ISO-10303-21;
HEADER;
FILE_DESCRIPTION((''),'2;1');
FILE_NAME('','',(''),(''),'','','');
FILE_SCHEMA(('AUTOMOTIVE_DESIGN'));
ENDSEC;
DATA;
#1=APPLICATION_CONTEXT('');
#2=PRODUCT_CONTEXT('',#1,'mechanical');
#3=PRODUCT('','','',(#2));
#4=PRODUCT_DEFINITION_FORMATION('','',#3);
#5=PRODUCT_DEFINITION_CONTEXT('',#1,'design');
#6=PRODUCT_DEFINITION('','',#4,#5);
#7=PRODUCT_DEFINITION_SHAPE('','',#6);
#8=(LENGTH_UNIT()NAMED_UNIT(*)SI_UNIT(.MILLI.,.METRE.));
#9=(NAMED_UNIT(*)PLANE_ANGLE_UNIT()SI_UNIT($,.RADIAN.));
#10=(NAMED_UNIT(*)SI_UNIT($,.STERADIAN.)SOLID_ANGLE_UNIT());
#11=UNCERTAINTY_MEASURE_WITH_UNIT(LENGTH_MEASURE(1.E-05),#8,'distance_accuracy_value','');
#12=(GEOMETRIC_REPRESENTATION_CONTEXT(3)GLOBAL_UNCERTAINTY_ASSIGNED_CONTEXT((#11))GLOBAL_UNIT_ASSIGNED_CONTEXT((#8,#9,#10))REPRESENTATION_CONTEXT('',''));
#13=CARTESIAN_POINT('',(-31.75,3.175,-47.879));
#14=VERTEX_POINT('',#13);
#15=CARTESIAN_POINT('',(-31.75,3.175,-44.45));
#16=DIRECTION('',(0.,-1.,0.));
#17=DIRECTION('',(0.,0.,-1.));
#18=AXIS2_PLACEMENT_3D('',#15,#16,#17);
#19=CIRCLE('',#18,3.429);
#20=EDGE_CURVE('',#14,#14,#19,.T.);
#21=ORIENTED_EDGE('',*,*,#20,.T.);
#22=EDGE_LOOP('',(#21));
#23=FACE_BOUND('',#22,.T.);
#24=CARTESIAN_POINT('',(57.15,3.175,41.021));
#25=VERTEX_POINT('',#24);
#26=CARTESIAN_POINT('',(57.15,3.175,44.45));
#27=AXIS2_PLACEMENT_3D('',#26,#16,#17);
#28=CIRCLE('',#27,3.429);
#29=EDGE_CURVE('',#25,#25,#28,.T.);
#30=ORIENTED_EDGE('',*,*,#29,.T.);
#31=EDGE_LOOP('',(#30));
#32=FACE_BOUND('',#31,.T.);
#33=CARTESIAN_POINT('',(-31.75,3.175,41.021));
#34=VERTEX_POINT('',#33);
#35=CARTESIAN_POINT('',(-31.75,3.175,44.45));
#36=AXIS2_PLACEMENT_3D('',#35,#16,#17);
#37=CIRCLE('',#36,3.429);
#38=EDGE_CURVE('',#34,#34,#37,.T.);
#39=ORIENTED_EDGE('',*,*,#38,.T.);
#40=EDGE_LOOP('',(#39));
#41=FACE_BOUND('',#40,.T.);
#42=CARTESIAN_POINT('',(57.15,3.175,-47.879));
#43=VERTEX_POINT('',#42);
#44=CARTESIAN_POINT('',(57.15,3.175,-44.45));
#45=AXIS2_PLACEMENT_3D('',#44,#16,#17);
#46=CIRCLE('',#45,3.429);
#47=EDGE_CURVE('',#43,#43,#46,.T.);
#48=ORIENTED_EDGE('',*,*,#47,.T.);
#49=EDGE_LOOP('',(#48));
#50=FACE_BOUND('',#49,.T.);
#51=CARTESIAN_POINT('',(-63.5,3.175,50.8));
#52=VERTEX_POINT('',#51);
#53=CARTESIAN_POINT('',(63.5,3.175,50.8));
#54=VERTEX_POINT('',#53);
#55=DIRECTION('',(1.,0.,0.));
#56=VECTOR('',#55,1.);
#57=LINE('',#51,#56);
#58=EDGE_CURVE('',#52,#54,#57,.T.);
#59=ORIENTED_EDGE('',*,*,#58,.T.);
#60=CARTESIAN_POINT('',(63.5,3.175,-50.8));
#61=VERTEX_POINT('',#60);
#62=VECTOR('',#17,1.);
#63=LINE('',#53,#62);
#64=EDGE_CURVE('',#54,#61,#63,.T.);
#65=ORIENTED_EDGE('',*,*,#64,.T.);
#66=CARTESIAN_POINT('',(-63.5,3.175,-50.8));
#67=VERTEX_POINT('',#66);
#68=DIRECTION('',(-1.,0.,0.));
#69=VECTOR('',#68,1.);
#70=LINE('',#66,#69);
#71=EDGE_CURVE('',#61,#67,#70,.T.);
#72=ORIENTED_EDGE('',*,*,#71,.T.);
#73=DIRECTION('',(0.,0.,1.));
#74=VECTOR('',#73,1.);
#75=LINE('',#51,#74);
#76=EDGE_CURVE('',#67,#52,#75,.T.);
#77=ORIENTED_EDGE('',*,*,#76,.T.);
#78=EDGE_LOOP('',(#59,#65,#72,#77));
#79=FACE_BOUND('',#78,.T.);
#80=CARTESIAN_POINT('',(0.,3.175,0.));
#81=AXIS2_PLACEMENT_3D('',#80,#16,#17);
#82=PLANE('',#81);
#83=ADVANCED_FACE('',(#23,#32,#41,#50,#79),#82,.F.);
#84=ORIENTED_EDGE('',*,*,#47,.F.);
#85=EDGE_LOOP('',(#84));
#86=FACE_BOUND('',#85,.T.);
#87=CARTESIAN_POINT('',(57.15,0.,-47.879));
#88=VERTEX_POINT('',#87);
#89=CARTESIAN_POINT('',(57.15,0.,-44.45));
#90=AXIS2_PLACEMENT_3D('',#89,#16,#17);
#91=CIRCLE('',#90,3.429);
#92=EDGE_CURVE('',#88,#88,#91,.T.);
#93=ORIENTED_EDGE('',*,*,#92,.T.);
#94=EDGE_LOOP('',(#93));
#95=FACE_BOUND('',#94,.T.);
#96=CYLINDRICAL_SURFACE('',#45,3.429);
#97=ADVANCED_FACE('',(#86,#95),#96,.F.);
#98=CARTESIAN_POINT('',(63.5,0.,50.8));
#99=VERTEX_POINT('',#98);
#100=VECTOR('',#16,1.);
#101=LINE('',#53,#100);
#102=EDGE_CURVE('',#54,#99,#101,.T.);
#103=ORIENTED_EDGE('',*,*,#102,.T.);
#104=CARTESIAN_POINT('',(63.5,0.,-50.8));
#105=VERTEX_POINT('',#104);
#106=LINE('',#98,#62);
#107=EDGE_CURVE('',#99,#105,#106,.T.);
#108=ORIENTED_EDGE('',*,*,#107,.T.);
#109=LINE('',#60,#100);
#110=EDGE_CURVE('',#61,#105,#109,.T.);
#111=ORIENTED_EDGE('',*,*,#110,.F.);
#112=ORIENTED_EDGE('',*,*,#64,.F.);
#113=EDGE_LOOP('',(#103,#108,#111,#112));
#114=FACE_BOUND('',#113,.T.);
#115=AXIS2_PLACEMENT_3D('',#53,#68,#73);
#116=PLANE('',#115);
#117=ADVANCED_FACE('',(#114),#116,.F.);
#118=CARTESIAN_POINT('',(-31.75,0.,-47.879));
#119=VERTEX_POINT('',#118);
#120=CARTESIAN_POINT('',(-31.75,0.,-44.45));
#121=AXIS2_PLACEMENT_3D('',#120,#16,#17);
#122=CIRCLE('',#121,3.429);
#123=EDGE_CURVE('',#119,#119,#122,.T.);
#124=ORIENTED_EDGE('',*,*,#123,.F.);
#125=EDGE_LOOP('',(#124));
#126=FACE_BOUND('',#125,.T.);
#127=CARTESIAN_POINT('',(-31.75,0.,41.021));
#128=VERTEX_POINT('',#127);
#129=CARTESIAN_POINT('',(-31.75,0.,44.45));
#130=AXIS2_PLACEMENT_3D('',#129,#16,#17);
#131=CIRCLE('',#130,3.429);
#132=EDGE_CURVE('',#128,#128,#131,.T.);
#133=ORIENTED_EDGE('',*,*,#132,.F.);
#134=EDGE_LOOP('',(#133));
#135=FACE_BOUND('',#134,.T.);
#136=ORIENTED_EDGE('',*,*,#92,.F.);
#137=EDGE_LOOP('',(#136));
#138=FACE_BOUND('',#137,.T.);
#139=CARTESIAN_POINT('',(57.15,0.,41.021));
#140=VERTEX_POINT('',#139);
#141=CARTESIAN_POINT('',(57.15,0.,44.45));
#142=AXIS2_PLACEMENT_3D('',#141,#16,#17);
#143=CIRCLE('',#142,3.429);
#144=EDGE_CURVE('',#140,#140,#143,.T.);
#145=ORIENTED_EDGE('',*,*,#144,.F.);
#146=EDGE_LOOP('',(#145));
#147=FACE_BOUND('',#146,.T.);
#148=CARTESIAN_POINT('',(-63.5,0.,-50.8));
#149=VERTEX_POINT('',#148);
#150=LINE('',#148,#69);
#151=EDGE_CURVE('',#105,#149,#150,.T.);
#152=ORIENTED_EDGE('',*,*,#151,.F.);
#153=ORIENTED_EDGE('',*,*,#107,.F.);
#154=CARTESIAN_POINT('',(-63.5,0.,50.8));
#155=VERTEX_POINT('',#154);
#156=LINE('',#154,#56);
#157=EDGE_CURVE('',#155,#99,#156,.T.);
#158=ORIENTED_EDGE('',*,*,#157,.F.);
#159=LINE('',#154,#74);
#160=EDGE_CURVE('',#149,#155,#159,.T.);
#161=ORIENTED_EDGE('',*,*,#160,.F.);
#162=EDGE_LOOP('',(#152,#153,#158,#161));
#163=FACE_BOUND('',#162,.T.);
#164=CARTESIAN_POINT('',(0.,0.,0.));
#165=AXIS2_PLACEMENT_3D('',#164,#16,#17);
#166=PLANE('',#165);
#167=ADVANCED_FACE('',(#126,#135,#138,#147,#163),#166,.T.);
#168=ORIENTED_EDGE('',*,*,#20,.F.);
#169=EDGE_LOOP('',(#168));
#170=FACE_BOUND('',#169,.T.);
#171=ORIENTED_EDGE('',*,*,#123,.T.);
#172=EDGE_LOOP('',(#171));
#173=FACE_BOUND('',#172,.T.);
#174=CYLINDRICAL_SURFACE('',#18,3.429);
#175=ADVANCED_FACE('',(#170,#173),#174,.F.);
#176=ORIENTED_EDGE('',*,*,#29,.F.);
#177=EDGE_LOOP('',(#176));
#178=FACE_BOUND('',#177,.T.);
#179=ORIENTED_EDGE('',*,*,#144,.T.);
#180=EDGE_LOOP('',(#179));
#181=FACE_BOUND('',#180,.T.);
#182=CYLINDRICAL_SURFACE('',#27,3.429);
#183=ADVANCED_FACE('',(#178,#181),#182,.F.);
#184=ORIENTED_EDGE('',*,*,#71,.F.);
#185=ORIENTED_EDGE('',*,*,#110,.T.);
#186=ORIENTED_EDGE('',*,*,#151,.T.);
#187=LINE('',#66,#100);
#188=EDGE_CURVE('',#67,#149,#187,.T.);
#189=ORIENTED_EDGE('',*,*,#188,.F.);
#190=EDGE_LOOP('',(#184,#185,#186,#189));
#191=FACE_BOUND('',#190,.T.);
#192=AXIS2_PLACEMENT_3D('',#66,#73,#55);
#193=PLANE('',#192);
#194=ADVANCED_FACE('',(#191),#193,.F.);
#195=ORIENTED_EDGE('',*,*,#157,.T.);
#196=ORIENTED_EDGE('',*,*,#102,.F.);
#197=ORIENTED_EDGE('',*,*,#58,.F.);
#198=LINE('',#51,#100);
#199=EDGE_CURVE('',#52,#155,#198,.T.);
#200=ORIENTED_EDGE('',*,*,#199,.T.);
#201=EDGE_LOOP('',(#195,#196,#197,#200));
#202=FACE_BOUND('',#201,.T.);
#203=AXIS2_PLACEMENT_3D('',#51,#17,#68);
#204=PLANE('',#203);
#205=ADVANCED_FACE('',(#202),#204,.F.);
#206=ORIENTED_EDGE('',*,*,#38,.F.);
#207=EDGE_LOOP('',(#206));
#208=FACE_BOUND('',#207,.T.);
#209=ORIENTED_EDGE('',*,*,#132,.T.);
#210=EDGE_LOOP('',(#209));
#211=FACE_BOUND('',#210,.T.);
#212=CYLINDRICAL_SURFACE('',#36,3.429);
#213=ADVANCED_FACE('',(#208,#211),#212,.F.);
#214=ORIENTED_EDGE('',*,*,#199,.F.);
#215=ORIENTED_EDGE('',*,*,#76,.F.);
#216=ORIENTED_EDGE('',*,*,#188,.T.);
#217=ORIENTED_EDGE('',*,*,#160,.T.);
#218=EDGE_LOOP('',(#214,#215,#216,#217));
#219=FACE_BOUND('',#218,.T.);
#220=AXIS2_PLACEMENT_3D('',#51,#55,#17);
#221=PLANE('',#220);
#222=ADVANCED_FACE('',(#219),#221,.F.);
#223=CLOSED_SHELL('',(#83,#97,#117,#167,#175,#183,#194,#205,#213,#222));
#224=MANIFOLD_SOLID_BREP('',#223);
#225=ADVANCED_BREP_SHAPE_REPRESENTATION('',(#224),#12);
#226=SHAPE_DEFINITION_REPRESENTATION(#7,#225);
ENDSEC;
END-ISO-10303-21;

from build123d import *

# Parameters (mm, degrees)
SKETCH1_W           = 127
SKETCH1_H           = 101.6
BOSS_EXTRUDE1_DEPTH = 3.175
SKETCH2_R           = 3.429
CUT_EXTRUDE1_DEPTH  = 82.381635674


with BuildPart() as part:
    # Sketch1 → Boss-Extrude1 (new body)
    with BuildSketch(Plane(origin=(0, 0, 0), x_dir=(1, 0, 0), z_dir=(0, 1, 0))):
        Rectangle(SKETCH1_W, SKETCH1_H)
    extrude(amount=BOSS_EXTRUDE1_DEPTH)

    # Sketch2 → Cut-Extrude1 (cut, through all)
    with BuildSketch(Plane(origin=(0, 0, 0), x_dir=(-1, 0, 0), z_dir=(0, -1, 0))):
        with Locations(Location((-57.15, -44.45, 0), (0, 0, 90))):
            Circle(SKETCH2_R)
        with Locations(Location((31.75, -44.45, 0), (0, 0, 90))):
            Circle(SKETCH2_R)
        with Locations(Location((31.75, 44.45, 0), (0, 0, 90))):
            Circle(SKETCH2_R)
        with Locations(Location((-57.15, 44.45, 0), (0, 0, 90))):
            Circle(SKETCH2_R)
    extrude(amount=-CUT_EXTRUDE1_DEPTH, mode=Mode.SUBTRACT)


solid = part.part
